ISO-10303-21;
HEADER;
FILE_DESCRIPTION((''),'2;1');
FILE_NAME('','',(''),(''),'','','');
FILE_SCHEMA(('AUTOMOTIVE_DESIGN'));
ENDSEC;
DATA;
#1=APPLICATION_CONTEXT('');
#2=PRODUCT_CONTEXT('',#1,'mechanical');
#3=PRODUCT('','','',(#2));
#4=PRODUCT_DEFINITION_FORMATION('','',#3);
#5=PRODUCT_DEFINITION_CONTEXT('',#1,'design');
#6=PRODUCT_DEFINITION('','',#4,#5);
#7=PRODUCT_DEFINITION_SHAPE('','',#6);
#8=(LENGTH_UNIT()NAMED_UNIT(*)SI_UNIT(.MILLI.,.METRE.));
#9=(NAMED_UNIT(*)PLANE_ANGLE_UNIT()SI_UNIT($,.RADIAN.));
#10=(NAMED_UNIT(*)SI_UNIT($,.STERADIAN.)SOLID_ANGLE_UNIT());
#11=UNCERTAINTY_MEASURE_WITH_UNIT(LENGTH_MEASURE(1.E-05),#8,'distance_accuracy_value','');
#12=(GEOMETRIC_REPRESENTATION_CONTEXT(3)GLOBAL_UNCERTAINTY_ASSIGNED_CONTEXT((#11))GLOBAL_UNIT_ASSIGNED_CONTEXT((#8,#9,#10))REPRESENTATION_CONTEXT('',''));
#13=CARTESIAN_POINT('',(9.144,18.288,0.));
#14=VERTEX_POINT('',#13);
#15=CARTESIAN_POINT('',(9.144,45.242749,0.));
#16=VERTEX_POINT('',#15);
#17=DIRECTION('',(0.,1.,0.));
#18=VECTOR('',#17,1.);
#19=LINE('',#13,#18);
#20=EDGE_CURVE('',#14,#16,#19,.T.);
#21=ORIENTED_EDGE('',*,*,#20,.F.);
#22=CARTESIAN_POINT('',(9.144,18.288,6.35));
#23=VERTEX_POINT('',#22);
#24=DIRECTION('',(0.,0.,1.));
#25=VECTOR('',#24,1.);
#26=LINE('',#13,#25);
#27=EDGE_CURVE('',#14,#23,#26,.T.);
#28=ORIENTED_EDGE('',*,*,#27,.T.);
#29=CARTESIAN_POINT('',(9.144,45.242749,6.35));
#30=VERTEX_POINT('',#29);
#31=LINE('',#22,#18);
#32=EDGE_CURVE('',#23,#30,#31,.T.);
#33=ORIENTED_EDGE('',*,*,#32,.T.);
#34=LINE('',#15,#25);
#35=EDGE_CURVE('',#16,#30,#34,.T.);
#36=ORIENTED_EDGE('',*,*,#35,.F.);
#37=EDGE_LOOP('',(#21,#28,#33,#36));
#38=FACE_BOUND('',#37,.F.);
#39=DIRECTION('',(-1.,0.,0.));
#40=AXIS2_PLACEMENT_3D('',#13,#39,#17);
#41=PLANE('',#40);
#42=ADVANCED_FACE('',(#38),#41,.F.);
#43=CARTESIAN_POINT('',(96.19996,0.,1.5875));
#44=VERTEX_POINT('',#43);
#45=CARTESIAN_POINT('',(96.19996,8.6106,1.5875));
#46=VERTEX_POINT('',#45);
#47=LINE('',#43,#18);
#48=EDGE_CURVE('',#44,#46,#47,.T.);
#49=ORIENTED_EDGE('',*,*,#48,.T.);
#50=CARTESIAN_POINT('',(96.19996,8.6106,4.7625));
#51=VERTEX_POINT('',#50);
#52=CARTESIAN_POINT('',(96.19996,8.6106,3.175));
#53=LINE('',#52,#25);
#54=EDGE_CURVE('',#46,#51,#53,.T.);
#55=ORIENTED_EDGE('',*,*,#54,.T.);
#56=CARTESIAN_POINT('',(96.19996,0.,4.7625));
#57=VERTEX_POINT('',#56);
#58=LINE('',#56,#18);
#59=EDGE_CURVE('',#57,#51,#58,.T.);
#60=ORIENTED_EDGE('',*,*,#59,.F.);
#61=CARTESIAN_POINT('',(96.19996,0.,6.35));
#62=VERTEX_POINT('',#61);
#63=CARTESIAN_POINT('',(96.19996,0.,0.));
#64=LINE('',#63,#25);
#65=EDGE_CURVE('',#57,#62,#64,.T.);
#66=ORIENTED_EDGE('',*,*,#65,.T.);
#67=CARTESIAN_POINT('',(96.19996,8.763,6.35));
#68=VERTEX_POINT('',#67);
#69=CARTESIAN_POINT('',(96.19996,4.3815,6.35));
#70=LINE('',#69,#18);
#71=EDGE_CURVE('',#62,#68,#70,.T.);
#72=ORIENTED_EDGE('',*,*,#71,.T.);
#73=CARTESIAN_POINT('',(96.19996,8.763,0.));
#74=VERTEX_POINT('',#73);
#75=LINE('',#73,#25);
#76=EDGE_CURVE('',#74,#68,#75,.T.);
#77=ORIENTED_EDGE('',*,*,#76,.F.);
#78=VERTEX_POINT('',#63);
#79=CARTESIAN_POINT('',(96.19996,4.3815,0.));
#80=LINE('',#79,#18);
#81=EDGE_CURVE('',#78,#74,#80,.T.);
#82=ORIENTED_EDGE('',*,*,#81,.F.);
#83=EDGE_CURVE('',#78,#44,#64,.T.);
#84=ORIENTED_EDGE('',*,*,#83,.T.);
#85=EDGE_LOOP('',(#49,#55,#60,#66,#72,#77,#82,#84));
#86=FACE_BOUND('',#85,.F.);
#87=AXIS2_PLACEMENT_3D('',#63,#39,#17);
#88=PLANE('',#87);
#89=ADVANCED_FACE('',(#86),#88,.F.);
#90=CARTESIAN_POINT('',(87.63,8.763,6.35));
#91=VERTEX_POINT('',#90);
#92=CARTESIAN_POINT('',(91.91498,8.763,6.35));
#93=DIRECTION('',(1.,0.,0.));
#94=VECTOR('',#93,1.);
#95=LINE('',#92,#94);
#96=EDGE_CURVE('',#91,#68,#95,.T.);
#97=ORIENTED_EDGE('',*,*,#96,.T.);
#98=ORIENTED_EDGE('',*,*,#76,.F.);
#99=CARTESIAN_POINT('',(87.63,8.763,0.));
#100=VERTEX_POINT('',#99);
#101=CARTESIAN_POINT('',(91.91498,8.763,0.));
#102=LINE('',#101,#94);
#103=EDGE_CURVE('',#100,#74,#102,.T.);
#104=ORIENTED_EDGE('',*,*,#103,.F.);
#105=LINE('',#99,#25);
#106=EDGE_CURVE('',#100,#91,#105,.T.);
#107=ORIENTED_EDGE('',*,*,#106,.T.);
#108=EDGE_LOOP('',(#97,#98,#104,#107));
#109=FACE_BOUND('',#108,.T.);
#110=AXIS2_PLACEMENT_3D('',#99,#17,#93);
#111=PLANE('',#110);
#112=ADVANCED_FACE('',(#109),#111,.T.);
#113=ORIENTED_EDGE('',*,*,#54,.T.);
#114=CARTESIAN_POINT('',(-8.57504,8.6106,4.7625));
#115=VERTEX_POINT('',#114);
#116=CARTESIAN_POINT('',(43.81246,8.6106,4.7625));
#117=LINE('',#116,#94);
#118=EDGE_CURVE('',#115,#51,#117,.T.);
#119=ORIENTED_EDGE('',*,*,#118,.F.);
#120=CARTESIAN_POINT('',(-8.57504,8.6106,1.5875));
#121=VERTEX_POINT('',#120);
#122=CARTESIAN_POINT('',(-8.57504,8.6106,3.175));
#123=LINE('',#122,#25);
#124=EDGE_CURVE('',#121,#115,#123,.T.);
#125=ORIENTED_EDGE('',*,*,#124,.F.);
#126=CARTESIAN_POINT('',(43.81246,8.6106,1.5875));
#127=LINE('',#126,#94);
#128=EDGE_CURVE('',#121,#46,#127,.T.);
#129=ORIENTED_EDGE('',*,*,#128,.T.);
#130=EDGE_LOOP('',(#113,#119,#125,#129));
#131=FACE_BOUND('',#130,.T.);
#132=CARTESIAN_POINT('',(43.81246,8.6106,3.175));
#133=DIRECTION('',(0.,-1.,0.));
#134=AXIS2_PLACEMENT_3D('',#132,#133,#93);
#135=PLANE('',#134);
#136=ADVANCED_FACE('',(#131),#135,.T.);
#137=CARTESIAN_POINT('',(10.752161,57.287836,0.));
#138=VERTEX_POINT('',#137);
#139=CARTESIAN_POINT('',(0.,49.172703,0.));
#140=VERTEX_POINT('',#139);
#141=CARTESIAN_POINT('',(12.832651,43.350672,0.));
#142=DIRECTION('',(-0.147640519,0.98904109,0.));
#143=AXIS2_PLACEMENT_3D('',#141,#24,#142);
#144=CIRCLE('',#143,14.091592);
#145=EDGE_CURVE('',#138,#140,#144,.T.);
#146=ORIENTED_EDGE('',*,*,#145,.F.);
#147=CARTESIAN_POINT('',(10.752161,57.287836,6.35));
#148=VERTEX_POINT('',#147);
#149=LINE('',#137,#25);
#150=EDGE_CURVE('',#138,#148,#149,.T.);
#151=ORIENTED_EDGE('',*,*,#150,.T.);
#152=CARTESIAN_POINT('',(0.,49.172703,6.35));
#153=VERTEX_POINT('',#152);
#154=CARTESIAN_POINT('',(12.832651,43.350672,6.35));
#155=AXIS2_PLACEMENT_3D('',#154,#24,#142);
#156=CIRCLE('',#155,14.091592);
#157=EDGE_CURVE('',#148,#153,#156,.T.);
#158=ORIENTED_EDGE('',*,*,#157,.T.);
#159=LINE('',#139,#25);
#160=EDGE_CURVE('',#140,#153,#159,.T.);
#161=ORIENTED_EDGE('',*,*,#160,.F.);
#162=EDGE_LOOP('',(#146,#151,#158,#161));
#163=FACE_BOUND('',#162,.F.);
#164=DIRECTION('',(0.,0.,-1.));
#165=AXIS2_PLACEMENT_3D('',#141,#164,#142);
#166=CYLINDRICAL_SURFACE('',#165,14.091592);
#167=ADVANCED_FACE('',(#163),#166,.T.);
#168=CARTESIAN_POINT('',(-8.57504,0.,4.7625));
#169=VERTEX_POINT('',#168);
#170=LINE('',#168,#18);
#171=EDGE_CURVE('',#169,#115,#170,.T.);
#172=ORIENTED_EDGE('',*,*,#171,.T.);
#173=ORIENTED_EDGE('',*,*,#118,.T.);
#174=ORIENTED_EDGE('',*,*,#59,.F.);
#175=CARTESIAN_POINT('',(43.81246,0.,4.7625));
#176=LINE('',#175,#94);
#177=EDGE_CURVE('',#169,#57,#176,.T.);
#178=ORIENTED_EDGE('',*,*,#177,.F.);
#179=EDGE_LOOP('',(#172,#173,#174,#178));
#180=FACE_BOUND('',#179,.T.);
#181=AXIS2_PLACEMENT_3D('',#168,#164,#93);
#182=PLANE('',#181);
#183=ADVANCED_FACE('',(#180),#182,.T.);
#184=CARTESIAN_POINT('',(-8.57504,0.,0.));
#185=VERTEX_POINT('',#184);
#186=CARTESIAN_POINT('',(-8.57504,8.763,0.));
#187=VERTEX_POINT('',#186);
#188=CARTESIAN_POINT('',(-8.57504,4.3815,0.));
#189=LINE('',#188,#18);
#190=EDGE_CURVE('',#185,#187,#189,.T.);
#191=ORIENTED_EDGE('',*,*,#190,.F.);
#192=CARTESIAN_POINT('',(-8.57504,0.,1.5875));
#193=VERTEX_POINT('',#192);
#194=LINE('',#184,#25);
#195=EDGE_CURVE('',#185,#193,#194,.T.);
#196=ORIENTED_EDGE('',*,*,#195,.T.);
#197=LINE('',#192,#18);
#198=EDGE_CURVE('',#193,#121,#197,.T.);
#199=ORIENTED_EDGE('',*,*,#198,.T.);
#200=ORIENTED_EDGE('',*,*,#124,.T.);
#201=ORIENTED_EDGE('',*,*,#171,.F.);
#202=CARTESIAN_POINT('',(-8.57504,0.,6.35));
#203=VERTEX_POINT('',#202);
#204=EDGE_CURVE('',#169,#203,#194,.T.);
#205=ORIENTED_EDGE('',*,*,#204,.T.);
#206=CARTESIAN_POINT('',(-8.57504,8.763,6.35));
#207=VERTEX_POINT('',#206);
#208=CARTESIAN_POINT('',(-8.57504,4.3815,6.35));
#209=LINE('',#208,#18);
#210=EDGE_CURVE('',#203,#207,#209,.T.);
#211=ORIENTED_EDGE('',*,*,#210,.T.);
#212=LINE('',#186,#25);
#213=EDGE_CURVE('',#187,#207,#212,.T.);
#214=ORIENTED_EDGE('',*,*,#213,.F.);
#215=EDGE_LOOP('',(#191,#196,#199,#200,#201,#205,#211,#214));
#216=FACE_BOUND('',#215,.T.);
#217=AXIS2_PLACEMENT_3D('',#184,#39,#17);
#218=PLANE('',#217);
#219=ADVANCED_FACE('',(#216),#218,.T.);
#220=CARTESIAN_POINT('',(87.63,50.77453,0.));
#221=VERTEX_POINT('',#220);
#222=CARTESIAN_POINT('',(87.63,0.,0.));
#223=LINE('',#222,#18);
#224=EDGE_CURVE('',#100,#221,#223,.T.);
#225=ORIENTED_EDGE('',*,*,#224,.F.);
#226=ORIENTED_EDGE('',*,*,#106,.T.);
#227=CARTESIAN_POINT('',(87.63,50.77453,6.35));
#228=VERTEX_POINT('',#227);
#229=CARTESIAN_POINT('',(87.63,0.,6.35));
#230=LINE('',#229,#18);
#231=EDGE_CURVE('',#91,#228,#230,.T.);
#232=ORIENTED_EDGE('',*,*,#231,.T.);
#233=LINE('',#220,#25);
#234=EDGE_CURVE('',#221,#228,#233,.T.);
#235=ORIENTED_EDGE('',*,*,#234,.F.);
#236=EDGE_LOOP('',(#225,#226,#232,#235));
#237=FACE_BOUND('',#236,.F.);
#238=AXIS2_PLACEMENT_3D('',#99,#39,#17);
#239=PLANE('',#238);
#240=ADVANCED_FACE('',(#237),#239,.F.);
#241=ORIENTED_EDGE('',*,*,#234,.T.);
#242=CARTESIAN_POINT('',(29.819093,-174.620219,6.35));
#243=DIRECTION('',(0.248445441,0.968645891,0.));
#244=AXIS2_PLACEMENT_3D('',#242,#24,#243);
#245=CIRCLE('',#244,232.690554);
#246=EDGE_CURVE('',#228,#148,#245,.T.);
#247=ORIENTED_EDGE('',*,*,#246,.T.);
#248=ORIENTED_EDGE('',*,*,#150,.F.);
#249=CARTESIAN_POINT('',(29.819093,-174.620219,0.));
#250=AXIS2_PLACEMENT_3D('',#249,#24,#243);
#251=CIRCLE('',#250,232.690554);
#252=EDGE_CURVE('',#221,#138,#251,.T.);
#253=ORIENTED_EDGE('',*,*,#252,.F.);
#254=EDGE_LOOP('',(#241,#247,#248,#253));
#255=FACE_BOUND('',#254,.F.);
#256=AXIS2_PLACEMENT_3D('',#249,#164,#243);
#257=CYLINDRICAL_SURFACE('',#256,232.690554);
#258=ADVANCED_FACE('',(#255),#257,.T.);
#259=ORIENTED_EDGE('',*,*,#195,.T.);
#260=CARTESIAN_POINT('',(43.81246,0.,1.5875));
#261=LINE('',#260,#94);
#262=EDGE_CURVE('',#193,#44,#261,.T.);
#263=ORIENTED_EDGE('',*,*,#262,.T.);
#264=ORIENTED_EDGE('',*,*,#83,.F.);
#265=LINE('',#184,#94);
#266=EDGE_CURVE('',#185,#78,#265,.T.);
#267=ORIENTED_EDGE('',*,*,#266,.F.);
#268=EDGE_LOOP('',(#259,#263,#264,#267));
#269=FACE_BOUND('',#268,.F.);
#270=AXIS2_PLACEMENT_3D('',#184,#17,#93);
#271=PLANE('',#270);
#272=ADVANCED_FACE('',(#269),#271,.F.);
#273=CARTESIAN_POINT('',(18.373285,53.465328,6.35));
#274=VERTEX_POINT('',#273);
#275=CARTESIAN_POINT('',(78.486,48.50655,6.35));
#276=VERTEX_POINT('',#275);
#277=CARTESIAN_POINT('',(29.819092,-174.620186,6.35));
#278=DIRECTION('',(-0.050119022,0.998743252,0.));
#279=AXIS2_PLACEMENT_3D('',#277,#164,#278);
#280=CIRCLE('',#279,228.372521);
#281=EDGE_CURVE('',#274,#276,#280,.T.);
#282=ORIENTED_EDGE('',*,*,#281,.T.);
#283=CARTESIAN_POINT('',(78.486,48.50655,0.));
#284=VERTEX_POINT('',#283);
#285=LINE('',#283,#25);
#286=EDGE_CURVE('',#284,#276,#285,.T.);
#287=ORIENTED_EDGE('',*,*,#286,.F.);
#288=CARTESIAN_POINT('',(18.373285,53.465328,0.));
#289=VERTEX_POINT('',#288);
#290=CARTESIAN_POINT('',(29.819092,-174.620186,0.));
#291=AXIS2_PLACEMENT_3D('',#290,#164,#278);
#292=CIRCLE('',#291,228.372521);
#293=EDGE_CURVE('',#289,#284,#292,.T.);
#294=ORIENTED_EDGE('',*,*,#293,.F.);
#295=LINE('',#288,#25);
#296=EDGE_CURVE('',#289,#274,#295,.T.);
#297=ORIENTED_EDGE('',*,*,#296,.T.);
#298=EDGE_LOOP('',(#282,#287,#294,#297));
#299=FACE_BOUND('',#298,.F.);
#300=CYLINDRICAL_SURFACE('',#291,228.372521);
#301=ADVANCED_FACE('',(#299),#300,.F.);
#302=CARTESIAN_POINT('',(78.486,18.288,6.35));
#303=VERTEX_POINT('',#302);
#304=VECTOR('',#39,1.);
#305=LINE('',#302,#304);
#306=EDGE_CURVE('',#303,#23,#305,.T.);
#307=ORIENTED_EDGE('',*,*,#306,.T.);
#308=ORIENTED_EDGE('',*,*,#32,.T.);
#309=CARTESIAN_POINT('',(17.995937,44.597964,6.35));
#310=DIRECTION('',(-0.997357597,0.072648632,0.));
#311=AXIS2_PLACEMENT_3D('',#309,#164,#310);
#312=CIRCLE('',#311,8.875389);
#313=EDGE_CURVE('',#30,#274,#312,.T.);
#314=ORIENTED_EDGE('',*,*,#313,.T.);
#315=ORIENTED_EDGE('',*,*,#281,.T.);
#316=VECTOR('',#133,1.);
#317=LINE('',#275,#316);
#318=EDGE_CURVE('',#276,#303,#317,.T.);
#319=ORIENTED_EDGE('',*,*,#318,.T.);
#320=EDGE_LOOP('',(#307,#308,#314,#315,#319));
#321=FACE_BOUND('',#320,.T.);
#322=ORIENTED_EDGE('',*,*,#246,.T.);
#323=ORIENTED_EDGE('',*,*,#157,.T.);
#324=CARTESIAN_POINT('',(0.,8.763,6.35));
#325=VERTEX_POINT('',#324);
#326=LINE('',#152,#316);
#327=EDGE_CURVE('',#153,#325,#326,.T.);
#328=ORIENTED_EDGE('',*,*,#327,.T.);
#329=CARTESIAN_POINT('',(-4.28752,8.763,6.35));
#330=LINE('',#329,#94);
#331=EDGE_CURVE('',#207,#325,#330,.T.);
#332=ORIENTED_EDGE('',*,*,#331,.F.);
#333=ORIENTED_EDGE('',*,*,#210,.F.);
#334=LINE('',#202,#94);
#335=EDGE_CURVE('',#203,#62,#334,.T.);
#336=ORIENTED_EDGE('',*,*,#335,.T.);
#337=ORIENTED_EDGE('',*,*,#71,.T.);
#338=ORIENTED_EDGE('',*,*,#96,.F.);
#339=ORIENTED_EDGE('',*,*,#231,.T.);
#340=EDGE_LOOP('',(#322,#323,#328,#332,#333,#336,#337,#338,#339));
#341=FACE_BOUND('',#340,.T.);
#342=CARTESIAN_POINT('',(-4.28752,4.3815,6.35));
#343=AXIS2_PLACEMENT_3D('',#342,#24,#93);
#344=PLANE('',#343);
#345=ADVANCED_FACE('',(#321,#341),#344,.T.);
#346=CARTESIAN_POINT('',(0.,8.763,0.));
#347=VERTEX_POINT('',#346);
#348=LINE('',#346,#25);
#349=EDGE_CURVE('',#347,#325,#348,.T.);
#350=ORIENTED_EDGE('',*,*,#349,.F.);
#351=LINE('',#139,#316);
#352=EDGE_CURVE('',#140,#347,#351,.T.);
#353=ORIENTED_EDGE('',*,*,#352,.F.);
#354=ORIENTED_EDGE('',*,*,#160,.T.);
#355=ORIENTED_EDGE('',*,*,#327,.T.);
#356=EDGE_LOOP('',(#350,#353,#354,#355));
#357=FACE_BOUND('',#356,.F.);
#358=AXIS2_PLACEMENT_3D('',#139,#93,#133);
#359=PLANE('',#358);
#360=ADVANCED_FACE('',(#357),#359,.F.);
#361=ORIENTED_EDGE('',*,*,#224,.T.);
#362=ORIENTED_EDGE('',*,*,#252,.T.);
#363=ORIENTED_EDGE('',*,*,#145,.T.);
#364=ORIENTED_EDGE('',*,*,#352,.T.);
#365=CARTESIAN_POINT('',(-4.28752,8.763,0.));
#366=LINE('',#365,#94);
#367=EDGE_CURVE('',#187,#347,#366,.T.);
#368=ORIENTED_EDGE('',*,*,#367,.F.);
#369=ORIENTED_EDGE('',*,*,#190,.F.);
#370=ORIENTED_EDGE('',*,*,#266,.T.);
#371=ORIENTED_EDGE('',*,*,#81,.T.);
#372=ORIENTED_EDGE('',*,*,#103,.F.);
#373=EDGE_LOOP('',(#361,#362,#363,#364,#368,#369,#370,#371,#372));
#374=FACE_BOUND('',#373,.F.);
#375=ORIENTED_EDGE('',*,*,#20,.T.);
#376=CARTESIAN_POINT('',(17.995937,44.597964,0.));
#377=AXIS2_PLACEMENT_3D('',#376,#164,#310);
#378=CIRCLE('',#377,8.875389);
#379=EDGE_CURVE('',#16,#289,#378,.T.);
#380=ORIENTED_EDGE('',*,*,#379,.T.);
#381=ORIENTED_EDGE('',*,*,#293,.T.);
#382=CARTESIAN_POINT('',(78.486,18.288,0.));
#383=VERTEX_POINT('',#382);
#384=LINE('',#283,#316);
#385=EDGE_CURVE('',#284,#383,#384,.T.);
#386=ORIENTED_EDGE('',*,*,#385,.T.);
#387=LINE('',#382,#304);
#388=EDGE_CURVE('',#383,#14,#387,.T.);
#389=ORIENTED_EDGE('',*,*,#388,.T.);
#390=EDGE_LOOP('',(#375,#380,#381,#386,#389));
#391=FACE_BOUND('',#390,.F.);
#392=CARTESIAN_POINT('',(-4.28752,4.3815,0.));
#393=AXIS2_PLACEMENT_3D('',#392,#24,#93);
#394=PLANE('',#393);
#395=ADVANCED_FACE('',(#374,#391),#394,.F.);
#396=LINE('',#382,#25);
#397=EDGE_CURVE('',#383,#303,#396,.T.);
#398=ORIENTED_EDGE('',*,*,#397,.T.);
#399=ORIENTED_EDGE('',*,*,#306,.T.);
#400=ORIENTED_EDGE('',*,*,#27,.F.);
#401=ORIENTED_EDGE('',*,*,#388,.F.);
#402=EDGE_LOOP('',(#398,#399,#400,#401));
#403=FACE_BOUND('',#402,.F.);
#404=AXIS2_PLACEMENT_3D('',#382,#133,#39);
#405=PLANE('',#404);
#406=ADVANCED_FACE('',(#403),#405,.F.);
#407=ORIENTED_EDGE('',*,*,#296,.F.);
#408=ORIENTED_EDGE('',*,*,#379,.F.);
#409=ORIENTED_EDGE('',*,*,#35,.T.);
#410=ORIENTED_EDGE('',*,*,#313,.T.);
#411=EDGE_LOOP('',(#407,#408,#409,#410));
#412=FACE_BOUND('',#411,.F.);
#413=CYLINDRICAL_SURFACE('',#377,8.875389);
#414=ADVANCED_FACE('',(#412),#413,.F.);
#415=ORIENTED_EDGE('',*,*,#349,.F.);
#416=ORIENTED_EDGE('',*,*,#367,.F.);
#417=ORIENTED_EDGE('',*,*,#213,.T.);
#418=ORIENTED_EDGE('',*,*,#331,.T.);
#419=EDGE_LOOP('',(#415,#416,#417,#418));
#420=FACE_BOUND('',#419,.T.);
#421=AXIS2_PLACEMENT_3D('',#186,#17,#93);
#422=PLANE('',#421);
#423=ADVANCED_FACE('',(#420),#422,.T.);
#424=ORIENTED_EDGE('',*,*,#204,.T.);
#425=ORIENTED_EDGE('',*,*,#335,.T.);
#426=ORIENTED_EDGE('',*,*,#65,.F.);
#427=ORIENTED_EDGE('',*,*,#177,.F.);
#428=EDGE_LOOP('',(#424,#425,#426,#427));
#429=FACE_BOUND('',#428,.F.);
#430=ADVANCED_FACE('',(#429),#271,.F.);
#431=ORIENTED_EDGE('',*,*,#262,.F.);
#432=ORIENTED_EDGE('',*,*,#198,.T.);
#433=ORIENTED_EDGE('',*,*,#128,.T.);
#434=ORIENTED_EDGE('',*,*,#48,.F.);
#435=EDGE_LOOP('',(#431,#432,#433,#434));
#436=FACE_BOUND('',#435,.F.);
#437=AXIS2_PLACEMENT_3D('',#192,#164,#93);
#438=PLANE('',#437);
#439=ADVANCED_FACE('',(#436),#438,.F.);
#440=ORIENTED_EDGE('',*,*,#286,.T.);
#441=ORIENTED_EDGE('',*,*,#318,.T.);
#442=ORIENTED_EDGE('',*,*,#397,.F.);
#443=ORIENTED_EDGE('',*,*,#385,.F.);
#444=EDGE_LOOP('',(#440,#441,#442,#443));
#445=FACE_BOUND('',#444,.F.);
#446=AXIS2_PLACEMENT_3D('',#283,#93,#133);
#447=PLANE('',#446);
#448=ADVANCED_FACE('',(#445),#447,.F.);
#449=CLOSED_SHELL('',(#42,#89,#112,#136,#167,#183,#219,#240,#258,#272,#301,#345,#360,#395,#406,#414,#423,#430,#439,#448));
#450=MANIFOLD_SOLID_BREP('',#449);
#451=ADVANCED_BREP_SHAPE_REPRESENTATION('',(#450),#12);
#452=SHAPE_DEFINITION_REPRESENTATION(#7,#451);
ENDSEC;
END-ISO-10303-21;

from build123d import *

# Parameters (mm, degrees)
F0_W     = 8.57504
F0_H     = 8.763
F0_W_2   = 8.56996
F1_DEPTH = 6.35
F2_W     = 104.775
F2_H     = 3.175
F3_DEPTH = 8.6106


with BuildPart() as f1:
    # F0 (on Top) → F1 (new body)
    with BuildSketch(Plane.XY):
        with Locations((-4.28752, 4.3815)):
            Rectangle(F0_W, F0_H)
        with BuildLine():
            Line((0, 8.763), (0, 0))
            Line((0, 0), (87.63, 0))
            Line((87.63, 0), (87.63, 8.763))
            Line((87.63, 8.763), (87.63, 18.288))
            Line((87.63, 18.288), (87.63, 50.77453))
            ThreePointArc((87.63, 50.77453), (49.462914, 57.239683), (10.752161, 57.287836))
            ThreePointArc((10.752161, 57.287836), (4.343582, 54.59828), (0, 49.172703))
            Line((0, 49.172703), (0, 18.288))
            Line((0, 18.288), (0, 8.763))
        make_face()
        with BuildLine():
            Line((78.486, 18.288), (9.144, 18.288))
            Line((9.144, 18.288), (9.144, 45.242749))
            ThreePointArc((9.144, 45.242749), (12.091924, 51.224816), (18.373285, 53.465328))
            ThreePointArc((18.373285, 53.465328), (48.594074, 52.979261), (78.486, 48.50655))
            Line((78.486, 48.50655), (78.486, 18.288))
        make_face(mode=Mode.SUBTRACT)
        with Locations((91.91498, 4.3815)):
            Rectangle(F0_W_2, F0_H)
    extrude(amount=F1_DEPTH)

    # F2 (on face) → F3 (cut)
    with BuildSketch(Plane.XZ):
        with Locations((43.81246, 3.175)):
            Rectangle(F2_W, F2_H)
    extrude(amount=-F3_DEPTH, mode=Mode.SUBTRACT)


solid = f1.part
